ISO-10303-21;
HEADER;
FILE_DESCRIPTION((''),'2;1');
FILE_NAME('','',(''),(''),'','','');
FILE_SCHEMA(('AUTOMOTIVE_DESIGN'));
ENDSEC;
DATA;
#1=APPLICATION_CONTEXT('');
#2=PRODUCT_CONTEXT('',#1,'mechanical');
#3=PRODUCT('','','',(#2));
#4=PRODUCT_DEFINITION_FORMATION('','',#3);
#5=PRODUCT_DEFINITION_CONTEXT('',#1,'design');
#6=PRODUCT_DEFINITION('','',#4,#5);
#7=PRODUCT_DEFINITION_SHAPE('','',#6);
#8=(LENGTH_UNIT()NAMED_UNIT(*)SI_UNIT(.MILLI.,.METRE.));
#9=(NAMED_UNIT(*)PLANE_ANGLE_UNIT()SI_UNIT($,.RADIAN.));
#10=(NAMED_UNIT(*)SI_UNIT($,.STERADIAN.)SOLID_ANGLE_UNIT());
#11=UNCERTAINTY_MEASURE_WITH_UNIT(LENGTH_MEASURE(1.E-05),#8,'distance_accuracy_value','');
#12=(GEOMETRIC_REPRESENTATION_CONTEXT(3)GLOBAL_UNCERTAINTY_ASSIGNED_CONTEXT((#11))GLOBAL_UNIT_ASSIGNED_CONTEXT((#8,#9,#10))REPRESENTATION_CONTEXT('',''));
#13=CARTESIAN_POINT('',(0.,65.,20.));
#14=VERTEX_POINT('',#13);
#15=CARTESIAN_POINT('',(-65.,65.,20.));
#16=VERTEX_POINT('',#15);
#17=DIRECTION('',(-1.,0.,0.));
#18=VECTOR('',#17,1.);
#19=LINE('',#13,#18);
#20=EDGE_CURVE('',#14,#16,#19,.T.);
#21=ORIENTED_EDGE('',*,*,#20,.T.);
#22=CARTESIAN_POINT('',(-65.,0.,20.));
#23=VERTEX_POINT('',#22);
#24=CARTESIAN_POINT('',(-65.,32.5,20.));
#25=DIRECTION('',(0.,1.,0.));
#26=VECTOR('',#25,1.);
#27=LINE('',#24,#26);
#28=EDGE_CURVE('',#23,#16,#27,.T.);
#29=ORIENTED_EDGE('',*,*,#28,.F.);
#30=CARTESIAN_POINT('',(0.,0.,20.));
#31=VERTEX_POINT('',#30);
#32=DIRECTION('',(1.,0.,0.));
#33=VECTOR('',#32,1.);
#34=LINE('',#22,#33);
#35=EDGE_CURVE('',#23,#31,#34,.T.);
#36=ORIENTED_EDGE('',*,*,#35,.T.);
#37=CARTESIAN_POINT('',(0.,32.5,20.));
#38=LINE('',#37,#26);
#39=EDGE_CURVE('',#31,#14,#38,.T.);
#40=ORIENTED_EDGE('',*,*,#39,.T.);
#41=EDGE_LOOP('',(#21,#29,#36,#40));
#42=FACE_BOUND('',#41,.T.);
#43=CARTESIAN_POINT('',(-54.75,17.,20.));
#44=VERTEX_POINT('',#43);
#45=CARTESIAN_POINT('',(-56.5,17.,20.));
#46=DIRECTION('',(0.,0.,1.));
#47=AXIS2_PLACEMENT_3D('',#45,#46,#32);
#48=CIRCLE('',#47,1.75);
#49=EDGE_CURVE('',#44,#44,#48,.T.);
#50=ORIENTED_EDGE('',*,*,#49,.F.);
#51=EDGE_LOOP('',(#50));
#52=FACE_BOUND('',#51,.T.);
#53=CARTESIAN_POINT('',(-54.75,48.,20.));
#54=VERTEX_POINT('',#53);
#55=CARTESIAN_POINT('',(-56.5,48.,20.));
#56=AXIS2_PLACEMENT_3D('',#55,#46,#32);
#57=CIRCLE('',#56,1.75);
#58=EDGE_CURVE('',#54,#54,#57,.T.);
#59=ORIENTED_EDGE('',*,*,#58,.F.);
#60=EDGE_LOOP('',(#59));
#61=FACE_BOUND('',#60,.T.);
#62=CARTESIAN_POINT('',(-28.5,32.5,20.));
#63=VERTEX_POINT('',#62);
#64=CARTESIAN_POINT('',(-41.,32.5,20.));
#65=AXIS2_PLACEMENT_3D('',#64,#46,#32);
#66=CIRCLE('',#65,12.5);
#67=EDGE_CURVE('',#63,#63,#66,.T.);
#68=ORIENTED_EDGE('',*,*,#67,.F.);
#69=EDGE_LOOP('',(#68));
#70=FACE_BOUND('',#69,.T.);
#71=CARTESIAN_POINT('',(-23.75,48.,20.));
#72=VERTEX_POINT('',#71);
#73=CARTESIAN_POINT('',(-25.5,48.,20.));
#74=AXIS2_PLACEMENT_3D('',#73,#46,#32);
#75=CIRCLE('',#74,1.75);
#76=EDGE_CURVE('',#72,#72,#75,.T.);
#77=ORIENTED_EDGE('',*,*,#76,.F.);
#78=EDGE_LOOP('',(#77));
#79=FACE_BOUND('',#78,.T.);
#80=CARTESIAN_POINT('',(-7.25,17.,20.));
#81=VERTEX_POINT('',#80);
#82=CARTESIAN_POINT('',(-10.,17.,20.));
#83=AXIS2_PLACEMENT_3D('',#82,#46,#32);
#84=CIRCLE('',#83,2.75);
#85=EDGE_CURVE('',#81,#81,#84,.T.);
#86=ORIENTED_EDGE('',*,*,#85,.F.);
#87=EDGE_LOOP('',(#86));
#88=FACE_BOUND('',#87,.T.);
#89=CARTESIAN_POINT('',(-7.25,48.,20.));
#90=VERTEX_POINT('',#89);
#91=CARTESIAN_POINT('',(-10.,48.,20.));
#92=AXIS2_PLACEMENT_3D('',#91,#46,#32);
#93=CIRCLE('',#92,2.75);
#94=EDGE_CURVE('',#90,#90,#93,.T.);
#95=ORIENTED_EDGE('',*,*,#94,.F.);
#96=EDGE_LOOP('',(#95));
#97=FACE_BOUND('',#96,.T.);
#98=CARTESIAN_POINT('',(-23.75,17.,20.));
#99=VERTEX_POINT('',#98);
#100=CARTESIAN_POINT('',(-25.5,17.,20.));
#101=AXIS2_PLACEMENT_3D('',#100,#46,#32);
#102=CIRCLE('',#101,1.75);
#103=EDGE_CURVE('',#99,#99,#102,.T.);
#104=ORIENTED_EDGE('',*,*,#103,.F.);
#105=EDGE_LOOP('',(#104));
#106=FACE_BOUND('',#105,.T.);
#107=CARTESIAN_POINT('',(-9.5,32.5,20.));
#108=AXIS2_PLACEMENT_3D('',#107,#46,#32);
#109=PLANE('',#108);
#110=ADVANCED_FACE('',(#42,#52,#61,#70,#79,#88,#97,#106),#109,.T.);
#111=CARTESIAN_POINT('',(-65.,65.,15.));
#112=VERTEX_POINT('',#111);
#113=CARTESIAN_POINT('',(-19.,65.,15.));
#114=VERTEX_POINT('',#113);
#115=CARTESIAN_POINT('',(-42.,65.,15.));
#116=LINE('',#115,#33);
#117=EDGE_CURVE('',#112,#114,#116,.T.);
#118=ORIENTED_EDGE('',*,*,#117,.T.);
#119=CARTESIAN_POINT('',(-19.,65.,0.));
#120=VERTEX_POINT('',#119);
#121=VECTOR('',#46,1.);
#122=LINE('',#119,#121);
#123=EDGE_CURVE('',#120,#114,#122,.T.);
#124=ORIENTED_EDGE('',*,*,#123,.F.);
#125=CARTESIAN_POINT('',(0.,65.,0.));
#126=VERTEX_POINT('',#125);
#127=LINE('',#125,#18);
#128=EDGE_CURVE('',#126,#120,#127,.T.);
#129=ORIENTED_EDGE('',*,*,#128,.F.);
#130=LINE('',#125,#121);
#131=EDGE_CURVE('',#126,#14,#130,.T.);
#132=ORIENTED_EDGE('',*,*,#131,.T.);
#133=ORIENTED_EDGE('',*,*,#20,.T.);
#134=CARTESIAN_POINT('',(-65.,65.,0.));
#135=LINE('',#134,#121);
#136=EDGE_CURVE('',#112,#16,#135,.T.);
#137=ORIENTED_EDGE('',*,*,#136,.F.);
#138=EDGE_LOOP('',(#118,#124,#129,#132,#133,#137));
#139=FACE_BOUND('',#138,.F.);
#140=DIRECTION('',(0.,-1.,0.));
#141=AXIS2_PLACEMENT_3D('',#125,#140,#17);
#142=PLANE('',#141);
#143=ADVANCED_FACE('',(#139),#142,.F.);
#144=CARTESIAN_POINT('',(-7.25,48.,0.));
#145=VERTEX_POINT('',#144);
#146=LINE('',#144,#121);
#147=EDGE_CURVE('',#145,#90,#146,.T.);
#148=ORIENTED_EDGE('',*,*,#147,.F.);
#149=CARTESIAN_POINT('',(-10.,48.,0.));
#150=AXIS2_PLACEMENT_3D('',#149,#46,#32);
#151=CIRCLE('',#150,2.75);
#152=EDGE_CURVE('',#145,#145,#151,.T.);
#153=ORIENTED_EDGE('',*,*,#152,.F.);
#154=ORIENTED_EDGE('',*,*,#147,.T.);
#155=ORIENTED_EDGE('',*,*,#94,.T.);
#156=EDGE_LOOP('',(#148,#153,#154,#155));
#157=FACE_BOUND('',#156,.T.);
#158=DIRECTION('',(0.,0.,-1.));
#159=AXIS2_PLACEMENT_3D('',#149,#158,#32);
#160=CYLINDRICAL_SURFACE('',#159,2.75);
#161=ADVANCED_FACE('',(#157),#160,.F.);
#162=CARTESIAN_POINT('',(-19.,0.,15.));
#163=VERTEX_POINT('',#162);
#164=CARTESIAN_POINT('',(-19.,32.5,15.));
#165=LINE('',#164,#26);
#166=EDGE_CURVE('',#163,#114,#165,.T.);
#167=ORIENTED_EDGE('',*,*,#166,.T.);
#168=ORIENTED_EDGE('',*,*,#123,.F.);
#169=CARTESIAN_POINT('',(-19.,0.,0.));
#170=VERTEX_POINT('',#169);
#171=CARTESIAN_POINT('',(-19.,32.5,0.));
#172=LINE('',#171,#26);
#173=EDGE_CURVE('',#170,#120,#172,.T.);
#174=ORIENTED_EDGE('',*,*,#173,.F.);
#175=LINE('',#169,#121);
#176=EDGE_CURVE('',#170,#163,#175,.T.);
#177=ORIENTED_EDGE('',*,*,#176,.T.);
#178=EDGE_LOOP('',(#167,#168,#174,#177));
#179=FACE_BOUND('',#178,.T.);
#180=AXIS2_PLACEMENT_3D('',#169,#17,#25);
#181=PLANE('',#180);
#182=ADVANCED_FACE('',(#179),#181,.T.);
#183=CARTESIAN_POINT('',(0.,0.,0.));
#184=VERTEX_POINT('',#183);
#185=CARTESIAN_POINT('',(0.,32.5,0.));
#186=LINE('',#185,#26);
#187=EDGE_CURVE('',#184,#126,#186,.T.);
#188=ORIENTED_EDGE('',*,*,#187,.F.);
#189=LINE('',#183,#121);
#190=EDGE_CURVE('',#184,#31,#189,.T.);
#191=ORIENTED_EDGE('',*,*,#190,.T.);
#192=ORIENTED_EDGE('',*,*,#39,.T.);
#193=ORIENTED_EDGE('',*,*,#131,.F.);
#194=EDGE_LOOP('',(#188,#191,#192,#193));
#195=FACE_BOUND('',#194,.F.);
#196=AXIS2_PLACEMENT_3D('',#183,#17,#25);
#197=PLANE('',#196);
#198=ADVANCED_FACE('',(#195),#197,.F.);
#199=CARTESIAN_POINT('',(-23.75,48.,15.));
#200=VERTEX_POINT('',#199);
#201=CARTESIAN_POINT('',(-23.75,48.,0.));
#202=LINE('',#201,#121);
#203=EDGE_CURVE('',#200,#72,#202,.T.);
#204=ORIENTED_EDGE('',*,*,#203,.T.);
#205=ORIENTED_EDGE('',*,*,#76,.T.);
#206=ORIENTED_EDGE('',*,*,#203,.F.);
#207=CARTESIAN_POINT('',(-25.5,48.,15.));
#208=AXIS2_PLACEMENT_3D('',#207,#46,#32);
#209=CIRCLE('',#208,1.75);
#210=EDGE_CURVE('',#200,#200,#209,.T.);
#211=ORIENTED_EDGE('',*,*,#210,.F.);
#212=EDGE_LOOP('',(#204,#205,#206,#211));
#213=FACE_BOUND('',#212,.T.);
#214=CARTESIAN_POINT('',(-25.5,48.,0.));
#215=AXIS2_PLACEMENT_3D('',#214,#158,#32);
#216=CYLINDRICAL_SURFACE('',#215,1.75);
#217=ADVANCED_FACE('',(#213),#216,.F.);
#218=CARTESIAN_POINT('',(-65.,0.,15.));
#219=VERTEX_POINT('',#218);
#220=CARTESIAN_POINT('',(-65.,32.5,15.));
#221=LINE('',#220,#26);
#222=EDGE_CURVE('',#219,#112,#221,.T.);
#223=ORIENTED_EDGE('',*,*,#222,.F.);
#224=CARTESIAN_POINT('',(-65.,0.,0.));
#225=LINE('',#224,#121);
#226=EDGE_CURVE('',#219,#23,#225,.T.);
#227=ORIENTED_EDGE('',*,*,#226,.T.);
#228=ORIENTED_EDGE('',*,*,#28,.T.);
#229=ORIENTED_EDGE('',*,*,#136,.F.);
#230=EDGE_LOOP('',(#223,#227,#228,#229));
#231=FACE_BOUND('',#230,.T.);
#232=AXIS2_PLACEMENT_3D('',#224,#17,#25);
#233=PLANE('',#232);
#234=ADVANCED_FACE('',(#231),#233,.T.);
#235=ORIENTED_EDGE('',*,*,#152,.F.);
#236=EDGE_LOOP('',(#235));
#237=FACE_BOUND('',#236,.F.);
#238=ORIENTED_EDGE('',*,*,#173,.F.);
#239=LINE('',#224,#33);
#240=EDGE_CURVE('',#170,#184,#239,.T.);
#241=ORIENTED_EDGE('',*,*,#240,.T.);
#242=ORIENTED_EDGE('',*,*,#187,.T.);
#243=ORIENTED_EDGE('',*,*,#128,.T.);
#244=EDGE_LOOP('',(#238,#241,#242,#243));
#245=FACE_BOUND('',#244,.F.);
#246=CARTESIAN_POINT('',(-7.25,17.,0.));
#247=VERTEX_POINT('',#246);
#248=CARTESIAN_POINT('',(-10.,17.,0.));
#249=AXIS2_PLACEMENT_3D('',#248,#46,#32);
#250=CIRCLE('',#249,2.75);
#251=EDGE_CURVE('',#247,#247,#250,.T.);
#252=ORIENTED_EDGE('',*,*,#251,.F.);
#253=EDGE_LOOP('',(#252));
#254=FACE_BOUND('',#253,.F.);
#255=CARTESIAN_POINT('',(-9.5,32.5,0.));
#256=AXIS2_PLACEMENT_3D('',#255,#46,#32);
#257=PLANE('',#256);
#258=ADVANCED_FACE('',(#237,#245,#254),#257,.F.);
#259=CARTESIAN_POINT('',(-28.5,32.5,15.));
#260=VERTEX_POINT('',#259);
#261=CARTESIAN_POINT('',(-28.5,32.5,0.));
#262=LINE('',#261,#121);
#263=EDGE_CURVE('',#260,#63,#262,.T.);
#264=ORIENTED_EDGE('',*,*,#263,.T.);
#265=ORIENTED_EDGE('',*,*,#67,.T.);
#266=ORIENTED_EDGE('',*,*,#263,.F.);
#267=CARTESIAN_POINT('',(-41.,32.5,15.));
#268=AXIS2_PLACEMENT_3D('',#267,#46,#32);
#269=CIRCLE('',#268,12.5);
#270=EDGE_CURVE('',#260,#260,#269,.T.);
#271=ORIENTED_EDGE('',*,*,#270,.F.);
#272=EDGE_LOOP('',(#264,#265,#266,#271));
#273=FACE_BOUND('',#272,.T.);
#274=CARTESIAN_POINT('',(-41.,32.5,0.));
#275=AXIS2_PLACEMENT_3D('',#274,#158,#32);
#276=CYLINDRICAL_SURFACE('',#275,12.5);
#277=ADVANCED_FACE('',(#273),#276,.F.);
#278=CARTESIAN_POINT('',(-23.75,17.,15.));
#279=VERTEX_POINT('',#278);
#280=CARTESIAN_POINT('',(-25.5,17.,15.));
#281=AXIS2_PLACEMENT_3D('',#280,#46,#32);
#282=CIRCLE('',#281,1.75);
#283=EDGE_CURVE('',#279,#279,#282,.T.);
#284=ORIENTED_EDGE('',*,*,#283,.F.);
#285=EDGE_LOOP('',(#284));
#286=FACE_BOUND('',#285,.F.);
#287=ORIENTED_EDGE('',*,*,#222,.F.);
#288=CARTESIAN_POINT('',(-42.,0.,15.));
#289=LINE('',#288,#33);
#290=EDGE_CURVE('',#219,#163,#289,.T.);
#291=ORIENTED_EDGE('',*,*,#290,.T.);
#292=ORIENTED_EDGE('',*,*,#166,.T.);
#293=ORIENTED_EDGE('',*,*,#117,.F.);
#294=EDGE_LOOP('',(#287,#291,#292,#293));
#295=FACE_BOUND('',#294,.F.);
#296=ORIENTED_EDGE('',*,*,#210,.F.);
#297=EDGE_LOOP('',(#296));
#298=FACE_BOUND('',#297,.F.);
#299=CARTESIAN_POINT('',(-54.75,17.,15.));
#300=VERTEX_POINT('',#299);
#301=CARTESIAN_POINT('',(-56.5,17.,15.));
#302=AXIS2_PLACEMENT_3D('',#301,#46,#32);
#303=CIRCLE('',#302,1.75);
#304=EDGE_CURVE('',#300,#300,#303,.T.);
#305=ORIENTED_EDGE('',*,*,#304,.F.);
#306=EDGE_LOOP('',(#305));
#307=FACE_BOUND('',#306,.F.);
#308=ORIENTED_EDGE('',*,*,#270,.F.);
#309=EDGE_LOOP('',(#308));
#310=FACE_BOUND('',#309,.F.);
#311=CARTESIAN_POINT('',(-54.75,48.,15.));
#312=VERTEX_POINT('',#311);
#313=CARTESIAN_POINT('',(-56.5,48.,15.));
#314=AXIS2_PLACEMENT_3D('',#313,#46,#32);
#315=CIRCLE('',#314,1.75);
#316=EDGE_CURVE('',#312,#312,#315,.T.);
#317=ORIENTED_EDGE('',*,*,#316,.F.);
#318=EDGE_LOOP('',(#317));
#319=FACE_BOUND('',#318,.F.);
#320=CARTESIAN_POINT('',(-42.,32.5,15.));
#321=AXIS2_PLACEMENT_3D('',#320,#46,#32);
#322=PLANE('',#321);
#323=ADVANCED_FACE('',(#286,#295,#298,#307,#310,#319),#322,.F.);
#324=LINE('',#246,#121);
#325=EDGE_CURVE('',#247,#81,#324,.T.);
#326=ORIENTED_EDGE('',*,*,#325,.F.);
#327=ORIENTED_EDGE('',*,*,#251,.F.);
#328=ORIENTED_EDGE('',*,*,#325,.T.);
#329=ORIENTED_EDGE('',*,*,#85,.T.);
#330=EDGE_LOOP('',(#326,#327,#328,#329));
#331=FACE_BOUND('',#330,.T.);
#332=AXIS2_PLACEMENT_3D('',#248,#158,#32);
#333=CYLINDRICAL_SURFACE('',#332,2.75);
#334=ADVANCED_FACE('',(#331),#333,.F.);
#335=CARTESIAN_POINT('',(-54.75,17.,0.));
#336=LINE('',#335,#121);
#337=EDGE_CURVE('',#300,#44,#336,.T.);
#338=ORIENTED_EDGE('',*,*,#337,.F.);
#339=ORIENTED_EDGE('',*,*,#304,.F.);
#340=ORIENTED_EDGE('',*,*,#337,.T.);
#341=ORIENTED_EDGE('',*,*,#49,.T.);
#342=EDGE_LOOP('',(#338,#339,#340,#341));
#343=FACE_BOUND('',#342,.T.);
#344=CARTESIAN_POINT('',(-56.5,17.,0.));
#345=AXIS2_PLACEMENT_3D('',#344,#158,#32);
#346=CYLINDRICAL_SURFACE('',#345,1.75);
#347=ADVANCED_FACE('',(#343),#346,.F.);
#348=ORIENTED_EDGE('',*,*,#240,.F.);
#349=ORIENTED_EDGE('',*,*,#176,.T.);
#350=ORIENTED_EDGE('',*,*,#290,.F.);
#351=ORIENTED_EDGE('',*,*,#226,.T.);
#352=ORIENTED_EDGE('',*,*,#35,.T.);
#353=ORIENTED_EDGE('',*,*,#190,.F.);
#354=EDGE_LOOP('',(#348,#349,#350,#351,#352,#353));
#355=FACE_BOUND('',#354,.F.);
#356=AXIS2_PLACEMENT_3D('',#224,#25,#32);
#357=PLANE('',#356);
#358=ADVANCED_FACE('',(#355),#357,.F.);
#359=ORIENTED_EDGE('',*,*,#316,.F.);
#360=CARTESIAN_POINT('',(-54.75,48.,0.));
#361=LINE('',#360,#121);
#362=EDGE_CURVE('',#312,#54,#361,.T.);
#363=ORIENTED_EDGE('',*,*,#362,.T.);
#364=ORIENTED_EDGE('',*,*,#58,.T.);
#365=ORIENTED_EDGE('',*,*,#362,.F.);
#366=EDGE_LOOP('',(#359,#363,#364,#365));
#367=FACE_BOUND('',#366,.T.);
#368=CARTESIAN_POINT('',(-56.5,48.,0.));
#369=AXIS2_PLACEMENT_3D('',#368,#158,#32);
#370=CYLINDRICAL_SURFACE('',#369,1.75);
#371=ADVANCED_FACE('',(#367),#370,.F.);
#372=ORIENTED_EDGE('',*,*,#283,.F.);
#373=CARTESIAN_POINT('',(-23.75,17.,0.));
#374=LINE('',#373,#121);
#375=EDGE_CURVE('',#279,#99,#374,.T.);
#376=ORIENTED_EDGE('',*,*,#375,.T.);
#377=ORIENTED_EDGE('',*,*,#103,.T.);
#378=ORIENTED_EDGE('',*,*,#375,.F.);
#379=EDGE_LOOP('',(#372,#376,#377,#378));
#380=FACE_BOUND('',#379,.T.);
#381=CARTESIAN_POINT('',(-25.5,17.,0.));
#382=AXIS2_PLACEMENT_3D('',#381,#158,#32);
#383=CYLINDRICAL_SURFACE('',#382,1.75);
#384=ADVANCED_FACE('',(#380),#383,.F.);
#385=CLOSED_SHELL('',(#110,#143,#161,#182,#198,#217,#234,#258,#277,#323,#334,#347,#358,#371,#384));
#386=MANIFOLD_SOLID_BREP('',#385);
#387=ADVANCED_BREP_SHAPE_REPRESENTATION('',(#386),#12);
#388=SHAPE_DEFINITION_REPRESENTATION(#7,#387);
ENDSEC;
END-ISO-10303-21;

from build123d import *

# Parameters (mm, degrees)
F0_W     = 19
F0_H     = 65
F0_R     = 2.75
F0_W_2   = 46
F0_R_2   = 1.75
F0_R_3   = 12.5
F1_DEPTH = 20
F2_DEPTH = 15


with BuildPart() as f1:
    # F0 (on Top) → F1 (new body)
    with BuildSketch(Plane.XY):
        with Locations((-9.5, 32.5)):
            Rectangle(F0_W, F0_H)
        with Locations((-10, 17)):
            Circle(F0_R, mode=Mode.SUBTRACT)
        with Locations((-10, 48)):
            Circle(F0_R, mode=Mode.SUBTRACT)
        with Locations((-42, 32.5)):
            Rectangle(F0_W_2, F0_H)
        with Locations((-56.5, 17)):
            Circle(F0_R_2, mode=Mode.SUBTRACT)
        with Locations((-25.5, 17)):
            Circle(F0_R_2, mode=Mode.SUBTRACT)
        with Locations((-56.5, 48)):
            Circle(F0_R_2, mode=Mode.SUBTRACT)
        with Locations((-41, 32.5)):
            Circle(F0_R_3, mode=Mode.SUBTRACT)
        with Locations((-25.5, 48)):
            Circle(F0_R_2, mode=Mode.SUBTRACT)
    extrude(amount=F1_DEPTH)

    # F0 (on Top) → F2 (cut)
    with BuildSketch(Plane.XY):
        with Locations((-42, 32.5)):
            Rectangle(F0_W_2, F0_H)
        with Locations((-56.5, 17)):
            Circle(F0_R_2, mode=Mode.SUBTRACT)
        with Locations((-25.5, 17)):
            Circle(F0_R_2, mode=Mode.SUBTRACT)
        with Locations((-56.5, 48)):
            Circle(F0_R_2, mode=Mode.SUBTRACT)
        with Locations((-41, 32.5)):
            Circle(F0_R_3, mode=Mode.SUBTRACT)
        with Locations((-25.5, 48)):
            Circle(F0_R_2, mode=Mode.SUBTRACT)
    extrude(amount=F2_DEPTH, mode=Mode.SUBTRACT)


solid = f1.part
